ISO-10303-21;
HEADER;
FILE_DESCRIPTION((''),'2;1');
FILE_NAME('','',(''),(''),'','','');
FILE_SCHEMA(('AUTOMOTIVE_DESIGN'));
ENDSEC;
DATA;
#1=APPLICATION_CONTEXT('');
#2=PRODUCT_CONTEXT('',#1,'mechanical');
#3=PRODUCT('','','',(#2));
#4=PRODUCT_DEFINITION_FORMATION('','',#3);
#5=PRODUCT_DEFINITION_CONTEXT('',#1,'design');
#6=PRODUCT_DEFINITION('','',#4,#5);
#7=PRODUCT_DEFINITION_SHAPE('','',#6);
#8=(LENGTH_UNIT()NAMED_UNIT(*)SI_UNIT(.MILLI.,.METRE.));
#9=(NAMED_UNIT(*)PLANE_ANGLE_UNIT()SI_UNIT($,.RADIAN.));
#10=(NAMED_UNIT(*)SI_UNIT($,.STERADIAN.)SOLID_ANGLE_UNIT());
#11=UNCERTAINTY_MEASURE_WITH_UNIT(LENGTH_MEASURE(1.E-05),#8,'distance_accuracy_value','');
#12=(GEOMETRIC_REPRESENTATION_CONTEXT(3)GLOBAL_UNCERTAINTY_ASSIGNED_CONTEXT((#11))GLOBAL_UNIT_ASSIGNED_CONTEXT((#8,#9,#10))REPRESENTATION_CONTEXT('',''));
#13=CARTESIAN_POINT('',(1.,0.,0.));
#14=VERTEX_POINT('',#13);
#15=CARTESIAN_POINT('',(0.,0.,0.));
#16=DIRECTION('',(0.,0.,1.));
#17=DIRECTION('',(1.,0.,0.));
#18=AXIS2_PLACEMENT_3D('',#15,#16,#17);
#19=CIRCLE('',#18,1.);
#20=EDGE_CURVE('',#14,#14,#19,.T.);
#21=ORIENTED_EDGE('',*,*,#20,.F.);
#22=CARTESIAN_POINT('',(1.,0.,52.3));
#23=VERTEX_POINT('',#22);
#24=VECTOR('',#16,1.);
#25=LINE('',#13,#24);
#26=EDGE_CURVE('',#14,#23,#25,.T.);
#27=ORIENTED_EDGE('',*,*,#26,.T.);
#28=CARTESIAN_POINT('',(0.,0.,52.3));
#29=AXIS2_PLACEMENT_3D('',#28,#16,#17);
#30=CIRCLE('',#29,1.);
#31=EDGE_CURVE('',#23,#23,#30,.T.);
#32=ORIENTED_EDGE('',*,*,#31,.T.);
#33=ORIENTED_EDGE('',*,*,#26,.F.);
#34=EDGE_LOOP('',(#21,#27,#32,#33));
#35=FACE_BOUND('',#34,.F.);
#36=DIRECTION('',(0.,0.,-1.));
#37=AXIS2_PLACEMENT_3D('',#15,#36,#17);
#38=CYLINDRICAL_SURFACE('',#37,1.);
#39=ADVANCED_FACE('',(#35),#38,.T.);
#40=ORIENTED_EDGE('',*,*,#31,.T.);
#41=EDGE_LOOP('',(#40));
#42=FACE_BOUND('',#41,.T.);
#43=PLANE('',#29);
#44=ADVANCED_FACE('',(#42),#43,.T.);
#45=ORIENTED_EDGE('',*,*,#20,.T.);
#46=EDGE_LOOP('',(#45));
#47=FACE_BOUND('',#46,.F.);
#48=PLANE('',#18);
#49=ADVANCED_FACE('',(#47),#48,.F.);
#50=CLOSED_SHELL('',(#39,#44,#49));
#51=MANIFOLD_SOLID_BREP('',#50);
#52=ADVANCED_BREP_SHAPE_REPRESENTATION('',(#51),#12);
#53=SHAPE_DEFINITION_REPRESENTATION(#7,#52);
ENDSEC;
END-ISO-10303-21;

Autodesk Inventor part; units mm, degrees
ref_plane "YZ Plane" through (0, 0, 0) normal (1, 0, 0) x (0, 1, 0)
ref_plane "XZ Plane" through (0, 0, 0) normal (0, 1, 0) x (-1, 0, 0)
ref_plane "XY Plane" through (0, 0, 0) normal (0, 0, 1) x (1, 0, 0)
sketch "スケッチ1" plane through (0, 0, 0) normal (0, 0, 1) x (1, 0, 0)
  circle A0 centre (0, 0) radius 1
  dimension "d0" = 2
extrude "押し出し1" add sketch "スケッチ1" along normal blind 52.3
properties part number "om_Drop_shaft" material "CFRP"
